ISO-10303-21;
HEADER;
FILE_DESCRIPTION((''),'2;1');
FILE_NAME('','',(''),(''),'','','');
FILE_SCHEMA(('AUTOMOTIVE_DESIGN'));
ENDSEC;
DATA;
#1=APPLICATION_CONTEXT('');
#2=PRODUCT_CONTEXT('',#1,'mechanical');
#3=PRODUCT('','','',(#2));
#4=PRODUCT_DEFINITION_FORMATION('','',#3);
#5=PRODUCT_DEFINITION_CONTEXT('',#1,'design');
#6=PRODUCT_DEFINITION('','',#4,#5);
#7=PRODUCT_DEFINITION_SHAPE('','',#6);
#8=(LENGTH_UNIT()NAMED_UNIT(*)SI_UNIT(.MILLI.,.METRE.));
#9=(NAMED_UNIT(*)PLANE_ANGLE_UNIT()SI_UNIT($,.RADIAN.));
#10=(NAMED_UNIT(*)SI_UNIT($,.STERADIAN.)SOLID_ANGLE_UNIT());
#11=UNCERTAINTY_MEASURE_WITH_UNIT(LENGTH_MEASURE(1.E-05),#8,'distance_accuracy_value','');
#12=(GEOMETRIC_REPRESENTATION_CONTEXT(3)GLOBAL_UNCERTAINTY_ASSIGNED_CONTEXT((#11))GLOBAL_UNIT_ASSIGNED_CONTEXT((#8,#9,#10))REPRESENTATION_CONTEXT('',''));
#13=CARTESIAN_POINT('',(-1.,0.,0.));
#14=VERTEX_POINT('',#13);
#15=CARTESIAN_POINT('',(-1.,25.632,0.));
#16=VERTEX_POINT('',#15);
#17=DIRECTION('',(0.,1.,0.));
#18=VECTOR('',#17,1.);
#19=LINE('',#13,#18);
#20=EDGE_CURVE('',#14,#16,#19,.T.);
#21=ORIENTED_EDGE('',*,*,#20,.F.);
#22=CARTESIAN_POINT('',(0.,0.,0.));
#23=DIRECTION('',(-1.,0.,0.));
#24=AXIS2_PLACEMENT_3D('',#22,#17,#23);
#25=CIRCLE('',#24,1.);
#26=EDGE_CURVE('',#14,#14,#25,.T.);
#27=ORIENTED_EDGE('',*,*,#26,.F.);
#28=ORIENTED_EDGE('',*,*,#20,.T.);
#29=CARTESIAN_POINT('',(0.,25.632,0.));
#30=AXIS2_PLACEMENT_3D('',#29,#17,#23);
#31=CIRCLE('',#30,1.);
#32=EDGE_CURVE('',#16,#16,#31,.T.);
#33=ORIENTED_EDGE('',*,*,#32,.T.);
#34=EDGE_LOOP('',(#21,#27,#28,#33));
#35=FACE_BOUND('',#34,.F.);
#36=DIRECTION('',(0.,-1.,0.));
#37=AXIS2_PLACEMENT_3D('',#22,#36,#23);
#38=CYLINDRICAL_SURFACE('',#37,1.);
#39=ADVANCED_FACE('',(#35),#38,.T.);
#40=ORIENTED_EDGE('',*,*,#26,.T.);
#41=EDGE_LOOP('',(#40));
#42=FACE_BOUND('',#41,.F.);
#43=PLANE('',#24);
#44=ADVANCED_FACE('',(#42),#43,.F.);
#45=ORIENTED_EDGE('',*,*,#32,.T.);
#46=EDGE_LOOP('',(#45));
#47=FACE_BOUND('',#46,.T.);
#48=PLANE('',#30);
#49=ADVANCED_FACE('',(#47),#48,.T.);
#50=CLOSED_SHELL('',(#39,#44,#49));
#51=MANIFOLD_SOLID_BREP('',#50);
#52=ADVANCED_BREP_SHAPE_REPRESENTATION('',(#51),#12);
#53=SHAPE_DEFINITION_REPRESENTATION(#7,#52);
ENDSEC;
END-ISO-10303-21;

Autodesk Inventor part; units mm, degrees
ref_plane "YZ Plane" through (0, 0, 0) normal (1, 0, 0) x (0, 1, 0)
ref_plane "XZ Plane" through (0, 0, 0) normal (0, 1, 0) x (-1, 0, 0)
ref_plane "XY Plane" through (0, 0, 0) normal (0, 0, 1) x (1, 0, 0)
sketch "Sketch1" plane through (0, 0, 0) normal (0, 1, 0) x (-1, 0, 0)
  circle A0 centre (0, 0) radius 1
  dimension "d0" = 2
extrude "Extrusion1" add sketch "Sketch1" along normal blind 25.632
ref_plane "Work Plane1" through (0, -30, 0) normal (0, -1, 0) x (1, 0, 0)
properties part number "LOOP2_COLL_PREDEF1"
